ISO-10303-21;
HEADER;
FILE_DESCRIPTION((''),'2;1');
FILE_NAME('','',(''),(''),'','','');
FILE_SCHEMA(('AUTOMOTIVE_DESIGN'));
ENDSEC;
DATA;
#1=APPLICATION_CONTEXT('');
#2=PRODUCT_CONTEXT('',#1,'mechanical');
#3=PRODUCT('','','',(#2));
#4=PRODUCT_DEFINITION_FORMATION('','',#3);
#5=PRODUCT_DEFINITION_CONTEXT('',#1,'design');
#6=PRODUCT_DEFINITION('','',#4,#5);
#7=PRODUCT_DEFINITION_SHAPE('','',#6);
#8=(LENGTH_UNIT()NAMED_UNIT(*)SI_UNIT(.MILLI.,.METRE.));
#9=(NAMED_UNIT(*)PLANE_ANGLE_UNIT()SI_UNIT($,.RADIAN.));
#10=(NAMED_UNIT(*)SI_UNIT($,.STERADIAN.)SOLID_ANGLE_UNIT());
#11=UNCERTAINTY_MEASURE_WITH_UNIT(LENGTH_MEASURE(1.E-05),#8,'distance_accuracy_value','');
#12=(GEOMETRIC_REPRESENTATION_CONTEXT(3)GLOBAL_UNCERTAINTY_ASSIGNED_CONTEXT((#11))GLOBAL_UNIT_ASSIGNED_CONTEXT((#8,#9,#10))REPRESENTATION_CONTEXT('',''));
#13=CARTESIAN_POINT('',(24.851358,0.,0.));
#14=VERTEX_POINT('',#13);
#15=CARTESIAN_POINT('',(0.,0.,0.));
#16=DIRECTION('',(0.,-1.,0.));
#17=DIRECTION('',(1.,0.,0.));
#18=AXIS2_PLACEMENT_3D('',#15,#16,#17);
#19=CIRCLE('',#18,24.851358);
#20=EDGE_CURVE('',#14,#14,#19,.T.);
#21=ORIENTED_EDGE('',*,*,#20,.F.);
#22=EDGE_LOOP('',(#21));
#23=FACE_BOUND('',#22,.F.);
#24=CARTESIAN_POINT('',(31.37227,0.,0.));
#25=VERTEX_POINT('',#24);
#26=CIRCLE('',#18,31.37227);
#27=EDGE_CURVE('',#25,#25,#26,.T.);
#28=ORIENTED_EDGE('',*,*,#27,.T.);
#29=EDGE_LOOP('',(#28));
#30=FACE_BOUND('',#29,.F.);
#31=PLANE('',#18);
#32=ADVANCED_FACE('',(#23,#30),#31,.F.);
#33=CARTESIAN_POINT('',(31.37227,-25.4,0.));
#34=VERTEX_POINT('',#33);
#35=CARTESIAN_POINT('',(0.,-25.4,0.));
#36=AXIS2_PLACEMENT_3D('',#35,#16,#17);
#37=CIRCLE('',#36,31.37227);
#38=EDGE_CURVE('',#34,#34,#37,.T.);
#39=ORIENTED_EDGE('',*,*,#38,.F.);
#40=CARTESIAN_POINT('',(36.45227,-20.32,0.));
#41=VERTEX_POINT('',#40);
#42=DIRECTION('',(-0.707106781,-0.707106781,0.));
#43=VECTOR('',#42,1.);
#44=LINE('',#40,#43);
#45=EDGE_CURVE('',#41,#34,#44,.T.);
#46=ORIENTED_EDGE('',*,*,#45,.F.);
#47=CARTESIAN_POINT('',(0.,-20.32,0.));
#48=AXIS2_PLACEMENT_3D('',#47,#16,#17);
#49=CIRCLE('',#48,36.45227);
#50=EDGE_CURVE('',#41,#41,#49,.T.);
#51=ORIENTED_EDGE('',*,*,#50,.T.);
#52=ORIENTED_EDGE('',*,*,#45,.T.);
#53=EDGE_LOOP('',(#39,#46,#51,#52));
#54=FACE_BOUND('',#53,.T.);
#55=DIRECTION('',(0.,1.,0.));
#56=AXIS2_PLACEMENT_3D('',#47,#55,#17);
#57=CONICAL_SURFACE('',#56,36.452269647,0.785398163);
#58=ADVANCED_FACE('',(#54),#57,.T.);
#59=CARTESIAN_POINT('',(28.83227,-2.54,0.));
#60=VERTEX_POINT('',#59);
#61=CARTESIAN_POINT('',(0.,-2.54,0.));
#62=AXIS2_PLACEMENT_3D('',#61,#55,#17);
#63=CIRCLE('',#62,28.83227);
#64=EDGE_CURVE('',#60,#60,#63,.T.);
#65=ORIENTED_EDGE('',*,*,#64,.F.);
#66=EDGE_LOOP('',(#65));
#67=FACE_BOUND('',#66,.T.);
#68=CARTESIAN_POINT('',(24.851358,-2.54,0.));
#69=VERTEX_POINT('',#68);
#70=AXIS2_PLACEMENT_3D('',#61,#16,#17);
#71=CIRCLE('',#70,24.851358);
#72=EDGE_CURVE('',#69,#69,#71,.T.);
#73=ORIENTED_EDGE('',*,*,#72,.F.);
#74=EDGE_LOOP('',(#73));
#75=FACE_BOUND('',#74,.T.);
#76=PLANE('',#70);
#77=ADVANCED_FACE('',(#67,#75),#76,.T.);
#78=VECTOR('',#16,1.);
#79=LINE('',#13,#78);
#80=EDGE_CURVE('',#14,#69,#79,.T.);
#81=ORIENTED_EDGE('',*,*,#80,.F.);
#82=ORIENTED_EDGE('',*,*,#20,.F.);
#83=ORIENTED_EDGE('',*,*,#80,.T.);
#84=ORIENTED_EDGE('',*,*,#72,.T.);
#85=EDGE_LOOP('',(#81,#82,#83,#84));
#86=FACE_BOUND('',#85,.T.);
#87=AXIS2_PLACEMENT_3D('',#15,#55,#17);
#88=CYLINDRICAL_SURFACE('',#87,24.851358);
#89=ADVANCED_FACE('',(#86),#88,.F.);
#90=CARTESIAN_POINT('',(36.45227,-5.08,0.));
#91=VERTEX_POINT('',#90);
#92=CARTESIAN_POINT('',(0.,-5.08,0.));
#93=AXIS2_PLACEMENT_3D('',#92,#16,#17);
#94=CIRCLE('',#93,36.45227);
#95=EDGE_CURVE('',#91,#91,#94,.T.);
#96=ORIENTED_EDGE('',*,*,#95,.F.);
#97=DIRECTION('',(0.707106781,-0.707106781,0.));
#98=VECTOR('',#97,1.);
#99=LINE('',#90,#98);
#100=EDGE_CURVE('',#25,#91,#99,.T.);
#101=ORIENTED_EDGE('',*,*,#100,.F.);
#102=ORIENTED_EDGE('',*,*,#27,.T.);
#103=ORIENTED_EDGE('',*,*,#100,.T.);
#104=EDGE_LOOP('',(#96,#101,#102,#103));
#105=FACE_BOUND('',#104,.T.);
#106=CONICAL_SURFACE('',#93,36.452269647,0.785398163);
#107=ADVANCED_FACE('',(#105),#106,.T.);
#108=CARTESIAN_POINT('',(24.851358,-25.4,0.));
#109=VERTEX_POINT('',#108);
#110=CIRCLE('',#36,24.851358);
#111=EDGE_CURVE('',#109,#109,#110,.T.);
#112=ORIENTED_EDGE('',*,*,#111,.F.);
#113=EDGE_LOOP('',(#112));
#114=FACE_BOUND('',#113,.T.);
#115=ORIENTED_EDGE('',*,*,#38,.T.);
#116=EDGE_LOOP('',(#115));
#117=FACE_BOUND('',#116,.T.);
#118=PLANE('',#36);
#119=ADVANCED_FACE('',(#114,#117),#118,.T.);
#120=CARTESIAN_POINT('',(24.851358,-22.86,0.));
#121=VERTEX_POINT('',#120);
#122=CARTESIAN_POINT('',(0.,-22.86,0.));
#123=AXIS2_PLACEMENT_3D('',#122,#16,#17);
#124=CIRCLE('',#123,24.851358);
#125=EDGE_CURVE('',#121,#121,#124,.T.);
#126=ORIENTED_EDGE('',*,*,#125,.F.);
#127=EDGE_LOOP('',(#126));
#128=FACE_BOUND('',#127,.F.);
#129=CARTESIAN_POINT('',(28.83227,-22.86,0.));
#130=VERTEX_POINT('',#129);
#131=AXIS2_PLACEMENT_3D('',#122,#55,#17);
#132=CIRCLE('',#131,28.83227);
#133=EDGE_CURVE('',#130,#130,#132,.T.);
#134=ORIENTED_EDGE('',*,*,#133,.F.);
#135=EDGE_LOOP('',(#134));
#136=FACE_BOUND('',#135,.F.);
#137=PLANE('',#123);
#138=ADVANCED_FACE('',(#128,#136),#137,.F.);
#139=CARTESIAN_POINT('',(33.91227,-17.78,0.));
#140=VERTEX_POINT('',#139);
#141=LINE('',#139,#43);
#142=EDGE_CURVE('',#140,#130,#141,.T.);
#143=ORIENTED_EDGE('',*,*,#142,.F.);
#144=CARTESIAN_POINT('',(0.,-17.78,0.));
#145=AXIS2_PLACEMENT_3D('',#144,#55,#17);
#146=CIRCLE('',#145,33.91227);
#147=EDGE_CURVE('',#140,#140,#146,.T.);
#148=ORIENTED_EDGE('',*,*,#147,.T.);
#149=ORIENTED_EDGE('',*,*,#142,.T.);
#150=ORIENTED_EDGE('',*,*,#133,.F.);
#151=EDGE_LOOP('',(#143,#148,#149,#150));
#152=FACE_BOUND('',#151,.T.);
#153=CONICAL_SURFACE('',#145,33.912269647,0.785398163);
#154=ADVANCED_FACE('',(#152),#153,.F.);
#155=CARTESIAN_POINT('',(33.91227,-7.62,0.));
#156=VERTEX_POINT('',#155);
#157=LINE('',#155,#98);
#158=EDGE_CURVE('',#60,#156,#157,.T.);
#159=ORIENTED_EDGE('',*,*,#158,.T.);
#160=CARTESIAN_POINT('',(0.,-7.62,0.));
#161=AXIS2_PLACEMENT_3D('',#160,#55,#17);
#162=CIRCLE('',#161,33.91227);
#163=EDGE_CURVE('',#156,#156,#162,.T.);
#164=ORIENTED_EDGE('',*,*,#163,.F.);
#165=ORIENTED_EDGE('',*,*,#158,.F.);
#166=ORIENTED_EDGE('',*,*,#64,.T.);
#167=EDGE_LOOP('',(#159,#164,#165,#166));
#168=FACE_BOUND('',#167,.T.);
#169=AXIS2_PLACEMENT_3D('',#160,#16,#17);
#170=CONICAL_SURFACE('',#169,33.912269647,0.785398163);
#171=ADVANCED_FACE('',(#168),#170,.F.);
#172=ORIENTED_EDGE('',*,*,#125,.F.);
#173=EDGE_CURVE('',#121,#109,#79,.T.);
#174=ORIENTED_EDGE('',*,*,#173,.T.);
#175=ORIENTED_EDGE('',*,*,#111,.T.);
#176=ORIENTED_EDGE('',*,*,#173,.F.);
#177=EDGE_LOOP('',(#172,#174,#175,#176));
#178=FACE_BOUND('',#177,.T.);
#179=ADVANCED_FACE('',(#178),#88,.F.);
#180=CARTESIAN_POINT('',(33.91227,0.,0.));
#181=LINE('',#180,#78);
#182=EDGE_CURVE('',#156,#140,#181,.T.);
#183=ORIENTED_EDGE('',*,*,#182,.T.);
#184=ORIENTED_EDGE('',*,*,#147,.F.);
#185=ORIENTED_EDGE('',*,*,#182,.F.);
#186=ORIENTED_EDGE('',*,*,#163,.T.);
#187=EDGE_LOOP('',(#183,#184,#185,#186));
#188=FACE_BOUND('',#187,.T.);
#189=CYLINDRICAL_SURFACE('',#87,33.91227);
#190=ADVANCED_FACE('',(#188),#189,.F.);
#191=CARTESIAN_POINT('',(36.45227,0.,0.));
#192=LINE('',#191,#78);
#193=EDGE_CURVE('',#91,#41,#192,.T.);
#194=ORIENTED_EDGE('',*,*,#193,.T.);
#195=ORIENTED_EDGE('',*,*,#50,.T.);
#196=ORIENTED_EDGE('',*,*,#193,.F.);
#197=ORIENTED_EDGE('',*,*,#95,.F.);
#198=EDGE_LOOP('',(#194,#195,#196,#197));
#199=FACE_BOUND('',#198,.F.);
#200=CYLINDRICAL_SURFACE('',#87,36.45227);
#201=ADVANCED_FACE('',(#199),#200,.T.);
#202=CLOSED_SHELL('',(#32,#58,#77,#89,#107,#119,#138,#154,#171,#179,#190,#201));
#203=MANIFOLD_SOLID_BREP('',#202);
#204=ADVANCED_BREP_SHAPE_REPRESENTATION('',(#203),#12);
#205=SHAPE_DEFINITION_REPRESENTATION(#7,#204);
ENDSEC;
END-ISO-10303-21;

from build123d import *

# Parameters (mm, degrees)
F0_R     = 36.4522696474
F0_R_2   = 24.8513580129
F1_DEPTH = 25.4
F2_T     = -2.54
F3_SIZE  = 5.08
F4_SIZE  = 5.08


with BuildPart() as f1:
    # F0 (on Front) → F1 (new body)
    with BuildSketch(Plane.XZ):
        Circle(F0_R)
        Circle(F0_R_2, mode=Mode.SUBTRACT)
    extrude(amount=F1_DEPTH)

    # F2
    f2_openings = [f1.faces().sort_by_distance(p)[0] for p in [
        (-24.851358, -12.7, 0),
    ]]
    offset(amount=F2_T, openings=f2_openings)

    # F3
    f3_edges = [f1.edges().sort_by_distance(p)[0] for p in [
        (33.91227, -12.7, 0),
        (-33.91227, -2.54, 0),
        (-33.91227, -22.86, 0),
    ]]
    chamfer(f3_edges, length=F3_SIZE)

    # F4
    f4_edges = [f1.edges().sort_by_distance(p)[0] for p in [
        (36.45227, -12.7, 0),
        (-36.45227, 0, 0),
        (-36.45227, -25.4, 0),
    ]]
    chamfer(f4_edges, length=F4_SIZE)


solid = f1.part
